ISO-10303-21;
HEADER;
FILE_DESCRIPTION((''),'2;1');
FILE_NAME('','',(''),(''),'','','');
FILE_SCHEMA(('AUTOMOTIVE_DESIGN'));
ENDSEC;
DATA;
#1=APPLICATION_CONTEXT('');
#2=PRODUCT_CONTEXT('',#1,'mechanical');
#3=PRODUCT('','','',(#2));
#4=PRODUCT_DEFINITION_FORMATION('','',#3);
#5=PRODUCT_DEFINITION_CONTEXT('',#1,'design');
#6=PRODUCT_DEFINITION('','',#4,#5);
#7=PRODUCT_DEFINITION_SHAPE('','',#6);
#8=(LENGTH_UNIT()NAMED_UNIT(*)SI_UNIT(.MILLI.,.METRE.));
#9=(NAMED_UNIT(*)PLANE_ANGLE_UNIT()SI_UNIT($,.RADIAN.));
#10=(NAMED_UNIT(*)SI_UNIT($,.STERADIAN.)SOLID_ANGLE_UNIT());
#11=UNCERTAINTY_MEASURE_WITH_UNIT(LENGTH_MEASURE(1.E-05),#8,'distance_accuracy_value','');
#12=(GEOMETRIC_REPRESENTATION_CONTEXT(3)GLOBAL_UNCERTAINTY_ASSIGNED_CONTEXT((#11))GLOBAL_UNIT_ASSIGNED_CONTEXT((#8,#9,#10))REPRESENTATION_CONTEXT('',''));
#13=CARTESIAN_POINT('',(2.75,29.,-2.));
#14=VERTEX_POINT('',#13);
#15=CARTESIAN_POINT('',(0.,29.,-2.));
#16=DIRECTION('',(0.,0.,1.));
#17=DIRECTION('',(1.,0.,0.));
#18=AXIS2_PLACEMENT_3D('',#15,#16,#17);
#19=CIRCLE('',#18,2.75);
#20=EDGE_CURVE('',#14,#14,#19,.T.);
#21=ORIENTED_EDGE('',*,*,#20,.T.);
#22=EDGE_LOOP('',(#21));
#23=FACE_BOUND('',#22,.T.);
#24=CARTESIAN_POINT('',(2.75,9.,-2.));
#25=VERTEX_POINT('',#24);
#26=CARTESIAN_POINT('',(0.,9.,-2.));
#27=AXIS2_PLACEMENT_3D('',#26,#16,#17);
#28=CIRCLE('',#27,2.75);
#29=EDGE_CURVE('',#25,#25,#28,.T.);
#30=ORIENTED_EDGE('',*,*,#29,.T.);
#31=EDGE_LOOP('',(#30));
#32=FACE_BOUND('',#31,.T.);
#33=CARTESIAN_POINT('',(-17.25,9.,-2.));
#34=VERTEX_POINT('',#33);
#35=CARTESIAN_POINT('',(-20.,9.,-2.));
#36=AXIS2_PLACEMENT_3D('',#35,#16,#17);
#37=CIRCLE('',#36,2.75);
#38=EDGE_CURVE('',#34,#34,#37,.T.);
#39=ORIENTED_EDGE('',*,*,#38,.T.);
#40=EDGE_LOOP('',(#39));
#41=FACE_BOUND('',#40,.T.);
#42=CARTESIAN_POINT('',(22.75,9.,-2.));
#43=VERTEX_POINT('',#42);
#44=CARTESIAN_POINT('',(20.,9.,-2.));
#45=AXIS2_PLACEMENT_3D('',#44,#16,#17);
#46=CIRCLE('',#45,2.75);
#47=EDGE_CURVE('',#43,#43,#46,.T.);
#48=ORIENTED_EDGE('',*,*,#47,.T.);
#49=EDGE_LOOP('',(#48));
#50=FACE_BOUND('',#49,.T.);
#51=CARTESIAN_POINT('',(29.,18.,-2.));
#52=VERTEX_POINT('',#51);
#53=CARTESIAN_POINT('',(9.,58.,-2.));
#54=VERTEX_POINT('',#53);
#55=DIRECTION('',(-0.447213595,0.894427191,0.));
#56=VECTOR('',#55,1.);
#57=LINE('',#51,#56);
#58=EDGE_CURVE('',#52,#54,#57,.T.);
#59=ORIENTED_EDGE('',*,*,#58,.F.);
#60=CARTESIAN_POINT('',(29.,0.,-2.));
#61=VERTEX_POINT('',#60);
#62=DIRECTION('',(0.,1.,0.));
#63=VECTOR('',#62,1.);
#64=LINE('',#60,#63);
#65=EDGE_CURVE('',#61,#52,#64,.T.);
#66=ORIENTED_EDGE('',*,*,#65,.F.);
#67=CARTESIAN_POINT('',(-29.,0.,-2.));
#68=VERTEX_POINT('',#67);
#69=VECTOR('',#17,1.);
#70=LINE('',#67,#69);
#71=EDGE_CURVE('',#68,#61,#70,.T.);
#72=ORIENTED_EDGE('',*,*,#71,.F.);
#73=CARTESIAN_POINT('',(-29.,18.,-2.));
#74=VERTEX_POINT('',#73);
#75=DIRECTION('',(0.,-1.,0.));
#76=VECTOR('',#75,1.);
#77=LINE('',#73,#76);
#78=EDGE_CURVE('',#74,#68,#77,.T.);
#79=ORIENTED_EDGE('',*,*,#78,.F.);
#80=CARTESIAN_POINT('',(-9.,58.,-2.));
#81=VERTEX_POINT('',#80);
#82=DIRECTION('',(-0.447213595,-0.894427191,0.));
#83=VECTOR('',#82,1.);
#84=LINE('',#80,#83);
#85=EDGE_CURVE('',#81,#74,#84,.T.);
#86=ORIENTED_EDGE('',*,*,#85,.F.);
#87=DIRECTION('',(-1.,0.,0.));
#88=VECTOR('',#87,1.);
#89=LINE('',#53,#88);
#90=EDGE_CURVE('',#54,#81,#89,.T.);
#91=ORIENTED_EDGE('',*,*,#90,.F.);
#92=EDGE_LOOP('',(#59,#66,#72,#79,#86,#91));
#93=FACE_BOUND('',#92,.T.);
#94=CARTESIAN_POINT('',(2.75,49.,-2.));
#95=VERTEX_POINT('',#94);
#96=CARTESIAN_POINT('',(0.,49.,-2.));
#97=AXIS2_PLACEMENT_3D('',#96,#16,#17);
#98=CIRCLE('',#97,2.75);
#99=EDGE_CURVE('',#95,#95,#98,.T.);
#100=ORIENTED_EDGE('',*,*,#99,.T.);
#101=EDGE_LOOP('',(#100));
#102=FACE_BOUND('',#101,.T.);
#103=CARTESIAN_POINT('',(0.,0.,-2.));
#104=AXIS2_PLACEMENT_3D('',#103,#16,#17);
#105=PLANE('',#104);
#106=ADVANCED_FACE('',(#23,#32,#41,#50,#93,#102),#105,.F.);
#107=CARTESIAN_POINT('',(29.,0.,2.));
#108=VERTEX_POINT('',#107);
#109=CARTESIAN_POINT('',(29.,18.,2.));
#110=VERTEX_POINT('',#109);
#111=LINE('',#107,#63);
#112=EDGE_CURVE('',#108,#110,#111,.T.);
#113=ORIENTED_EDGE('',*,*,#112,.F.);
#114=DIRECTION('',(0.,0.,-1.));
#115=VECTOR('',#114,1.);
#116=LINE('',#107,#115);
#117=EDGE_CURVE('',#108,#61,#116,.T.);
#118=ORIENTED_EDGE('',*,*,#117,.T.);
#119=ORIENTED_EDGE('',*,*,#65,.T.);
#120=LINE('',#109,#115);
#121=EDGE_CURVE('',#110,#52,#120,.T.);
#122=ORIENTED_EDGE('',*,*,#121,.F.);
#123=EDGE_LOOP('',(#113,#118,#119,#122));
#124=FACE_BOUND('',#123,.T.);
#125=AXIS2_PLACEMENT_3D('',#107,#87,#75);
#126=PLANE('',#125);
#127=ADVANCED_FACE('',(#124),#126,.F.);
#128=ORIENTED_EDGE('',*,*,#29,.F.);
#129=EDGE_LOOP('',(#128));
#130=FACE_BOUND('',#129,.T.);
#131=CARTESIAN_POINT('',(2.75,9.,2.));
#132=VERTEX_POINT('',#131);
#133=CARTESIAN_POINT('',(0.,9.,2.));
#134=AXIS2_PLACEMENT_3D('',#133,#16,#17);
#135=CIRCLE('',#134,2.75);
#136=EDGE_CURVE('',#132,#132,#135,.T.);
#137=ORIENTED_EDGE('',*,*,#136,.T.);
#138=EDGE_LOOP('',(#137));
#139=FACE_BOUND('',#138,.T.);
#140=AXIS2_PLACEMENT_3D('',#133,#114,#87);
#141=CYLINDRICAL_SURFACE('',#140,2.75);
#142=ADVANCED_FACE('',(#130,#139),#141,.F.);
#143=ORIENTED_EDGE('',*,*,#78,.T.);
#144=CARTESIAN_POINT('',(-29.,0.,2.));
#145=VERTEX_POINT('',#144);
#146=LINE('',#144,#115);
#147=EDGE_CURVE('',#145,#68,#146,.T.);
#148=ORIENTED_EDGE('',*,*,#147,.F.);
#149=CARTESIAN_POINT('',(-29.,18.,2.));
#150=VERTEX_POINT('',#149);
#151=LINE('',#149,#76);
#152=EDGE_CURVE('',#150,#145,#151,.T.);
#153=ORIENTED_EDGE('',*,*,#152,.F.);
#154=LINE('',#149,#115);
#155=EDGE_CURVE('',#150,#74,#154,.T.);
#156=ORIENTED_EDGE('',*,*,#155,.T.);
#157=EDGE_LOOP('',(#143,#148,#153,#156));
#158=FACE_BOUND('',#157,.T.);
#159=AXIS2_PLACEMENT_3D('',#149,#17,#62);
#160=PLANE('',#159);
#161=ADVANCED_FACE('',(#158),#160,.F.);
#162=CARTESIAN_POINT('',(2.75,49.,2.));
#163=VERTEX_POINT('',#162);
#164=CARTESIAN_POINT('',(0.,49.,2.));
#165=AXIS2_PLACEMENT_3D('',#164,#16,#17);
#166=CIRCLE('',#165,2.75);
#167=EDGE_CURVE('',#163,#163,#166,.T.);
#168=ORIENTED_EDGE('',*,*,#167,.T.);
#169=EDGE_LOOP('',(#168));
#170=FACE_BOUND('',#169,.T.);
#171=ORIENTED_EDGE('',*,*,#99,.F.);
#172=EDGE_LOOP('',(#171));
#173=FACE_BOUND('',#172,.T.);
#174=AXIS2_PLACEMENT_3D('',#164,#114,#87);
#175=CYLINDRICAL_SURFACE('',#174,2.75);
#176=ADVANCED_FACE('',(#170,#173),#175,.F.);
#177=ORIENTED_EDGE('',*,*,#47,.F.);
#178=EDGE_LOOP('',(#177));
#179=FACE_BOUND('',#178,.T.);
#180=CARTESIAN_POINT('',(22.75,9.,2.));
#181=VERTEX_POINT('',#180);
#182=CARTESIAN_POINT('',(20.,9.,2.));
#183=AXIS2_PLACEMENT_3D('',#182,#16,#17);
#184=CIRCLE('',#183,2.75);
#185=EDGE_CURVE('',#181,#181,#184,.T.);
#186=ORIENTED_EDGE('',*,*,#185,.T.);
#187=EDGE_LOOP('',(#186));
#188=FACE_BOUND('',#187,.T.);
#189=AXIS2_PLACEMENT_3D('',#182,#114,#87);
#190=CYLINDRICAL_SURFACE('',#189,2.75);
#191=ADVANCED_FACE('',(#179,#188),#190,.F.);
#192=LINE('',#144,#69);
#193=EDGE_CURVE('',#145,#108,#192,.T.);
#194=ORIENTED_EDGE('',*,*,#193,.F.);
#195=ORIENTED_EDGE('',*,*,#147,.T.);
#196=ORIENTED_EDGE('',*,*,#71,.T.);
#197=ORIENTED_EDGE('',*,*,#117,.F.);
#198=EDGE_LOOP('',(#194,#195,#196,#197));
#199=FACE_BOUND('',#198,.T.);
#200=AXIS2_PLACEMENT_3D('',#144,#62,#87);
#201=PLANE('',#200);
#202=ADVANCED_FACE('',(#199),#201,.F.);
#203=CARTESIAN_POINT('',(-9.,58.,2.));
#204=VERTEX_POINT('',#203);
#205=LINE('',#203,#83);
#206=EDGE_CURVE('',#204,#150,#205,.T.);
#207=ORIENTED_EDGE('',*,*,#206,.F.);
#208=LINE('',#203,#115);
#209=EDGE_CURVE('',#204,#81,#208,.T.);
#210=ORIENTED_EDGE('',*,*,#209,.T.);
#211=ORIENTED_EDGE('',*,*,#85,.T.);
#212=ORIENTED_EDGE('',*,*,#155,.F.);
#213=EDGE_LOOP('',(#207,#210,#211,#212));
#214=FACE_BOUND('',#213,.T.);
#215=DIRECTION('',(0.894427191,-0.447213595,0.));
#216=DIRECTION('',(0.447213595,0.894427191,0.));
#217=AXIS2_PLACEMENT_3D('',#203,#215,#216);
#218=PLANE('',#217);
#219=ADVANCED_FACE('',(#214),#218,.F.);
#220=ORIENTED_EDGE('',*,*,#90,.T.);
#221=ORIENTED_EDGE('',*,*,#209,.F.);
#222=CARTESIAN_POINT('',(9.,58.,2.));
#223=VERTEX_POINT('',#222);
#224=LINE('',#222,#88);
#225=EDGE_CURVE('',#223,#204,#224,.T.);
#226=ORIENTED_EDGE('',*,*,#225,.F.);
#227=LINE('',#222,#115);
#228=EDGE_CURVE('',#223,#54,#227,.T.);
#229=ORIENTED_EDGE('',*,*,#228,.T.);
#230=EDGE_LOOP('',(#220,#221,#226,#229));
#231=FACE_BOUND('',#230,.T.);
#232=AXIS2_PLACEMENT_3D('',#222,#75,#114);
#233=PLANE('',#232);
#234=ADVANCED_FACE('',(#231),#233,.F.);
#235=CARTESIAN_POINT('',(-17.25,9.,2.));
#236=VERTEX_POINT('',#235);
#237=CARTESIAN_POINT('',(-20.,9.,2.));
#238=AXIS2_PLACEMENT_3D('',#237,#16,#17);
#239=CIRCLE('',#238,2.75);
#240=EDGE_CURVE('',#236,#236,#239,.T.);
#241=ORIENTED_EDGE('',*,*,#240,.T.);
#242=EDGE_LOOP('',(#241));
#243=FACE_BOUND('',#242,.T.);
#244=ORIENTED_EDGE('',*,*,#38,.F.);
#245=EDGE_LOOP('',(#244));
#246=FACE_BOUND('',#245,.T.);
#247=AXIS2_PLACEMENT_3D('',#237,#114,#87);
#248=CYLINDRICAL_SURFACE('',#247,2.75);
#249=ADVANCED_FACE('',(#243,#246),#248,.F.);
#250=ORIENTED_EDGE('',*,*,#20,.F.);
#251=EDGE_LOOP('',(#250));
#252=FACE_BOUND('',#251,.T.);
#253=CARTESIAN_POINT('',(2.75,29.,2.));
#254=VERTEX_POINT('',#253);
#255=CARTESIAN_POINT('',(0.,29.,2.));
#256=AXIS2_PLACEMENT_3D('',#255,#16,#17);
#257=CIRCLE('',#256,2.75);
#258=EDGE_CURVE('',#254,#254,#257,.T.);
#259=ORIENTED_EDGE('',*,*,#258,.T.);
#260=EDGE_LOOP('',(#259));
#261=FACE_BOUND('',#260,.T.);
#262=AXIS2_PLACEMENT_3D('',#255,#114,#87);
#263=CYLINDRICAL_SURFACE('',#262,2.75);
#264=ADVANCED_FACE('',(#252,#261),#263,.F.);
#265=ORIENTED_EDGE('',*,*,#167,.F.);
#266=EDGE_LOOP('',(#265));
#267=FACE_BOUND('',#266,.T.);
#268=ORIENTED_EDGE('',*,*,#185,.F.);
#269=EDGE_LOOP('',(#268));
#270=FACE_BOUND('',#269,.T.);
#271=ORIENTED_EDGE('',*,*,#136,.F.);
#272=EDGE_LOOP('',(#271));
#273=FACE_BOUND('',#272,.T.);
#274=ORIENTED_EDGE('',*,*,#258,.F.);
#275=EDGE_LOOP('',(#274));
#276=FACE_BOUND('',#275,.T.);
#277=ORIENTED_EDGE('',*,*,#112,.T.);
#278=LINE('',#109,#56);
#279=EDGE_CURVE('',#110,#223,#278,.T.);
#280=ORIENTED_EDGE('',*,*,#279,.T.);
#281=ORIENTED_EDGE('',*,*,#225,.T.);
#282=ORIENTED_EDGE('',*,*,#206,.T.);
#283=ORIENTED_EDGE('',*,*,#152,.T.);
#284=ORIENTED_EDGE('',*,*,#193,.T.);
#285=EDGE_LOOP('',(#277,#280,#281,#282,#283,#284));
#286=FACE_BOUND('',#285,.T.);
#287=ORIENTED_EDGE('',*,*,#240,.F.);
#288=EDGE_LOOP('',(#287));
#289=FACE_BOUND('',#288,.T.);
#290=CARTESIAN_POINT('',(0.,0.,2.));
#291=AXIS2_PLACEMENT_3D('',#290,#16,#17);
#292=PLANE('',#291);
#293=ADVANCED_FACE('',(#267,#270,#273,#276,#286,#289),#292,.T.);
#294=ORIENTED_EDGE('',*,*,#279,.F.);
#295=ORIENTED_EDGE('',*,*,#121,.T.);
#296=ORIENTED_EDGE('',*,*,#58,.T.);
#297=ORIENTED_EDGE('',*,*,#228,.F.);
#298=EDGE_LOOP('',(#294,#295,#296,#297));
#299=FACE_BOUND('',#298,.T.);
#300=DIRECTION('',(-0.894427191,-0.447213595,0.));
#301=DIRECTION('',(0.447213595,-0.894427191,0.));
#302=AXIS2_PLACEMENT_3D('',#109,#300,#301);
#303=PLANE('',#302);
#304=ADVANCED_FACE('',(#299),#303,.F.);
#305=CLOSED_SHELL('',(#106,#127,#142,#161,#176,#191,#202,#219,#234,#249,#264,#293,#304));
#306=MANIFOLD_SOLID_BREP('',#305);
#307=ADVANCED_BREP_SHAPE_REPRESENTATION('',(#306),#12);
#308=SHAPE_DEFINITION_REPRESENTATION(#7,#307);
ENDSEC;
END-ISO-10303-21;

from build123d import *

# Parameters (mm, degrees)
SKETCH1_R           = 2.75
BOSS_EXTRUDE1_DEPTH = 2


with BuildPart() as part:
    # Sketch1 → Boss-Extrude1 (new body, symmetric)
    with BuildSketch(Plane.XY):
        Polygon((-29, 0), (29, 0), (29, 18), (9, 58), (-9, 58), (-29, 18), align=None)
        with Locations((0, 9)):
            Circle(SKETCH1_R, mode=Mode.SUBTRACT)
        with Locations((-20, 9)):
            Circle(SKETCH1_R, mode=Mode.SUBTRACT)
        with Locations((20, 9)):
            Circle(SKETCH1_R, mode=Mode.SUBTRACT)
        with Locations((0, 29)):
            Circle(SKETCH1_R, mode=Mode.SUBTRACT)
        with Locations((0, 49)):
            Circle(SKETCH1_R, mode=Mode.SUBTRACT)
    extrude(amount=BOSS_EXTRUDE1_DEPTH, both=True)


solid = part.part
